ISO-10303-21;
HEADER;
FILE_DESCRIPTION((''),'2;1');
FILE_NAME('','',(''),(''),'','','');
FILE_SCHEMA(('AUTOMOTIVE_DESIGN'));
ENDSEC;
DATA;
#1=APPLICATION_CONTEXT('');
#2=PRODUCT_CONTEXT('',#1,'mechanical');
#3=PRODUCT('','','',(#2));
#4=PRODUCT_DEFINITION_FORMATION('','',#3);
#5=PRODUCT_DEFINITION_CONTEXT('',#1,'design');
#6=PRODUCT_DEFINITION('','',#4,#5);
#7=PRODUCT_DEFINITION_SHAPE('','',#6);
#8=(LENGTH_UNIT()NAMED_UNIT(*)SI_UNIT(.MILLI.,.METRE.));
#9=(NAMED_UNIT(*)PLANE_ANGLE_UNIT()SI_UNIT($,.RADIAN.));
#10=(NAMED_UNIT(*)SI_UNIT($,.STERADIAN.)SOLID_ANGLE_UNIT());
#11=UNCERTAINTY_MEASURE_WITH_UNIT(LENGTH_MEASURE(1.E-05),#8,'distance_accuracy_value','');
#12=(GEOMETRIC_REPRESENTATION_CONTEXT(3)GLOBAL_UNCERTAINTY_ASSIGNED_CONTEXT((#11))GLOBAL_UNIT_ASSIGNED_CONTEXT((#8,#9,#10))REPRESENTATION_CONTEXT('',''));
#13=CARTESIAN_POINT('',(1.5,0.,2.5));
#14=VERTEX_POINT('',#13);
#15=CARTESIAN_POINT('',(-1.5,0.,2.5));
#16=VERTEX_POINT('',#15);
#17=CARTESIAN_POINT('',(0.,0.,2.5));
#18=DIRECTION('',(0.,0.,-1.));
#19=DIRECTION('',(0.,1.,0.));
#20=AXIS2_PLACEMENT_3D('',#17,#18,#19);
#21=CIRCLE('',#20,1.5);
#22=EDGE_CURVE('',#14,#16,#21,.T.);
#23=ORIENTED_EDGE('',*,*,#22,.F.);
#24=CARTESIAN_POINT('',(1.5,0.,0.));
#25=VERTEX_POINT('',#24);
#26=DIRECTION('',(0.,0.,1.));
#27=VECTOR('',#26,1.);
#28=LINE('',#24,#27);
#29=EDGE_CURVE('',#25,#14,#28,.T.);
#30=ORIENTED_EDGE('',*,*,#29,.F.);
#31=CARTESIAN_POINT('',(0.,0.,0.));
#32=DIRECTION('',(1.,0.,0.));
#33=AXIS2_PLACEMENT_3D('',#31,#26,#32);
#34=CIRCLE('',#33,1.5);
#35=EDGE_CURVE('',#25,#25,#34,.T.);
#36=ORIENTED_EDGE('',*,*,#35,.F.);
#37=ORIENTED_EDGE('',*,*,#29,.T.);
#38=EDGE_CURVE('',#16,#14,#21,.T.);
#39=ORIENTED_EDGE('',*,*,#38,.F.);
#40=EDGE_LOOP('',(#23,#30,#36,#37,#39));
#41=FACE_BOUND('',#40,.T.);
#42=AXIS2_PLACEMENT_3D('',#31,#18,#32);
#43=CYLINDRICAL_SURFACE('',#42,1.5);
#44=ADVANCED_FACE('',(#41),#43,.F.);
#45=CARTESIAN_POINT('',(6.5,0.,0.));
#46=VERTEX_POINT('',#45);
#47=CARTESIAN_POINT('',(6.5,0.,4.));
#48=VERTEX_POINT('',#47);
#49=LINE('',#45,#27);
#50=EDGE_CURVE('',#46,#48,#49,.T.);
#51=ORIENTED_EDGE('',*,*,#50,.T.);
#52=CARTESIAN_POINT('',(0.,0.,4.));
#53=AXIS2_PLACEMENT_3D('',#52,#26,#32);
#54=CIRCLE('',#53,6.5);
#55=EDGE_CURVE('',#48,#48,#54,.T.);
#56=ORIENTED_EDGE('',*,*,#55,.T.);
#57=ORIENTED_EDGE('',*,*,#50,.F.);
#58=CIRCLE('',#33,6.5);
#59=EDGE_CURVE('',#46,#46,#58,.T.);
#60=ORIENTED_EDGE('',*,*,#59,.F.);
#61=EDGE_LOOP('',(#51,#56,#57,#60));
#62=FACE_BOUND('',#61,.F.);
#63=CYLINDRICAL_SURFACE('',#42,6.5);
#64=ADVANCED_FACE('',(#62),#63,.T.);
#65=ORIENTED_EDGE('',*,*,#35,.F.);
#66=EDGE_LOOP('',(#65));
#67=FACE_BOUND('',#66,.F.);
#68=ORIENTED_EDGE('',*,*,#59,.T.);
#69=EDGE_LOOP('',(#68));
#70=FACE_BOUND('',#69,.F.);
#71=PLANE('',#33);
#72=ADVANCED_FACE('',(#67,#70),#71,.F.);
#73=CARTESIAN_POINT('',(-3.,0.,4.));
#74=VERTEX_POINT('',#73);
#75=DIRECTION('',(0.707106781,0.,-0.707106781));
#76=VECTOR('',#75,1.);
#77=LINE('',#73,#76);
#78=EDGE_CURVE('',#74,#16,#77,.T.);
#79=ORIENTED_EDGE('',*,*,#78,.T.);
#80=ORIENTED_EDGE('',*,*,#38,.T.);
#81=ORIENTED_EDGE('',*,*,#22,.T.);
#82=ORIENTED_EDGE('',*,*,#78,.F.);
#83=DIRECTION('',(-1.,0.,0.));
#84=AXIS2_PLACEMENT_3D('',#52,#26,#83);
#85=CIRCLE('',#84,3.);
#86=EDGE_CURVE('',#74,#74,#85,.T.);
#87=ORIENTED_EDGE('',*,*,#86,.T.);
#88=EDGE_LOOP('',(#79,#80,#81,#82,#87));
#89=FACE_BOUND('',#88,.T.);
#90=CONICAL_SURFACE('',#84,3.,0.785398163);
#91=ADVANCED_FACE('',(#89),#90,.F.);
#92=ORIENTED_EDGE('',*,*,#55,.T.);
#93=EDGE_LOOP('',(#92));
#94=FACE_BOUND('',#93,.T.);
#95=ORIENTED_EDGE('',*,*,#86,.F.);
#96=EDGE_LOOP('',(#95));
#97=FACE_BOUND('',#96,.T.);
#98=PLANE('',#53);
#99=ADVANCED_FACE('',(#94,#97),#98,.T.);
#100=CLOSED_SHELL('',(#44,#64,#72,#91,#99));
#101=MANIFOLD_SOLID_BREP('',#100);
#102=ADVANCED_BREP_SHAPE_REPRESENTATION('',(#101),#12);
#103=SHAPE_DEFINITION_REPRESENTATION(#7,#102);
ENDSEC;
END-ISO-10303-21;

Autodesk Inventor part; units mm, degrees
ref_plane "YZ Plane" through (0, 0, 0) normal (1, 0, 0) x (0, 1, 0)
ref_plane "XY Plane" through (0, 0, 0) normal (0, 0, 1) x (1, 0, 0)
sketch "Skizze1" plane through (0, 0, 0) normal (0, 0, 1) x (1, 0, 0)
  circle A0 centre (0, 0) radius 1.5
  circle A1 centre (0, 0) radius 6.5
  dimension "d0" = 3
  dimension "d1" = 13
extrude "Grundkörper" add sketch "Skizze1" along normal blind 4
ref_plane "Work Plane1" through (0, 0, 0) normal (0, 1, 0) x (0, 0, 1)
sketch "Sketch2" plane through (0, 0, 0) normal (0, 1, 0) x (0, 0, 1)
  line L0 (4, -3) -> (1, 0)
  line L1 (1, 0) -> (4, 3)
  line L2 (4, 3) -> (4, -3)
  line L3 (1, 0) -> (4, 0)
  line L4 (-0.8, 0) -> (4.8, 0) projected
  line L5 (4, -6.5) -> (4, 6.5) construction
  point P0 (0, 0)
  dimension "d14" = 90
  dimension "d15" = 6
revolve "Revolution1" cut sketch "Sketch2" angle 360 about axis through (0, 0, 0) along (0, 0, 1) contours L0 L3 L2
properties part number "magnetic_annular_body_v2" material "Eisen, duktil"
